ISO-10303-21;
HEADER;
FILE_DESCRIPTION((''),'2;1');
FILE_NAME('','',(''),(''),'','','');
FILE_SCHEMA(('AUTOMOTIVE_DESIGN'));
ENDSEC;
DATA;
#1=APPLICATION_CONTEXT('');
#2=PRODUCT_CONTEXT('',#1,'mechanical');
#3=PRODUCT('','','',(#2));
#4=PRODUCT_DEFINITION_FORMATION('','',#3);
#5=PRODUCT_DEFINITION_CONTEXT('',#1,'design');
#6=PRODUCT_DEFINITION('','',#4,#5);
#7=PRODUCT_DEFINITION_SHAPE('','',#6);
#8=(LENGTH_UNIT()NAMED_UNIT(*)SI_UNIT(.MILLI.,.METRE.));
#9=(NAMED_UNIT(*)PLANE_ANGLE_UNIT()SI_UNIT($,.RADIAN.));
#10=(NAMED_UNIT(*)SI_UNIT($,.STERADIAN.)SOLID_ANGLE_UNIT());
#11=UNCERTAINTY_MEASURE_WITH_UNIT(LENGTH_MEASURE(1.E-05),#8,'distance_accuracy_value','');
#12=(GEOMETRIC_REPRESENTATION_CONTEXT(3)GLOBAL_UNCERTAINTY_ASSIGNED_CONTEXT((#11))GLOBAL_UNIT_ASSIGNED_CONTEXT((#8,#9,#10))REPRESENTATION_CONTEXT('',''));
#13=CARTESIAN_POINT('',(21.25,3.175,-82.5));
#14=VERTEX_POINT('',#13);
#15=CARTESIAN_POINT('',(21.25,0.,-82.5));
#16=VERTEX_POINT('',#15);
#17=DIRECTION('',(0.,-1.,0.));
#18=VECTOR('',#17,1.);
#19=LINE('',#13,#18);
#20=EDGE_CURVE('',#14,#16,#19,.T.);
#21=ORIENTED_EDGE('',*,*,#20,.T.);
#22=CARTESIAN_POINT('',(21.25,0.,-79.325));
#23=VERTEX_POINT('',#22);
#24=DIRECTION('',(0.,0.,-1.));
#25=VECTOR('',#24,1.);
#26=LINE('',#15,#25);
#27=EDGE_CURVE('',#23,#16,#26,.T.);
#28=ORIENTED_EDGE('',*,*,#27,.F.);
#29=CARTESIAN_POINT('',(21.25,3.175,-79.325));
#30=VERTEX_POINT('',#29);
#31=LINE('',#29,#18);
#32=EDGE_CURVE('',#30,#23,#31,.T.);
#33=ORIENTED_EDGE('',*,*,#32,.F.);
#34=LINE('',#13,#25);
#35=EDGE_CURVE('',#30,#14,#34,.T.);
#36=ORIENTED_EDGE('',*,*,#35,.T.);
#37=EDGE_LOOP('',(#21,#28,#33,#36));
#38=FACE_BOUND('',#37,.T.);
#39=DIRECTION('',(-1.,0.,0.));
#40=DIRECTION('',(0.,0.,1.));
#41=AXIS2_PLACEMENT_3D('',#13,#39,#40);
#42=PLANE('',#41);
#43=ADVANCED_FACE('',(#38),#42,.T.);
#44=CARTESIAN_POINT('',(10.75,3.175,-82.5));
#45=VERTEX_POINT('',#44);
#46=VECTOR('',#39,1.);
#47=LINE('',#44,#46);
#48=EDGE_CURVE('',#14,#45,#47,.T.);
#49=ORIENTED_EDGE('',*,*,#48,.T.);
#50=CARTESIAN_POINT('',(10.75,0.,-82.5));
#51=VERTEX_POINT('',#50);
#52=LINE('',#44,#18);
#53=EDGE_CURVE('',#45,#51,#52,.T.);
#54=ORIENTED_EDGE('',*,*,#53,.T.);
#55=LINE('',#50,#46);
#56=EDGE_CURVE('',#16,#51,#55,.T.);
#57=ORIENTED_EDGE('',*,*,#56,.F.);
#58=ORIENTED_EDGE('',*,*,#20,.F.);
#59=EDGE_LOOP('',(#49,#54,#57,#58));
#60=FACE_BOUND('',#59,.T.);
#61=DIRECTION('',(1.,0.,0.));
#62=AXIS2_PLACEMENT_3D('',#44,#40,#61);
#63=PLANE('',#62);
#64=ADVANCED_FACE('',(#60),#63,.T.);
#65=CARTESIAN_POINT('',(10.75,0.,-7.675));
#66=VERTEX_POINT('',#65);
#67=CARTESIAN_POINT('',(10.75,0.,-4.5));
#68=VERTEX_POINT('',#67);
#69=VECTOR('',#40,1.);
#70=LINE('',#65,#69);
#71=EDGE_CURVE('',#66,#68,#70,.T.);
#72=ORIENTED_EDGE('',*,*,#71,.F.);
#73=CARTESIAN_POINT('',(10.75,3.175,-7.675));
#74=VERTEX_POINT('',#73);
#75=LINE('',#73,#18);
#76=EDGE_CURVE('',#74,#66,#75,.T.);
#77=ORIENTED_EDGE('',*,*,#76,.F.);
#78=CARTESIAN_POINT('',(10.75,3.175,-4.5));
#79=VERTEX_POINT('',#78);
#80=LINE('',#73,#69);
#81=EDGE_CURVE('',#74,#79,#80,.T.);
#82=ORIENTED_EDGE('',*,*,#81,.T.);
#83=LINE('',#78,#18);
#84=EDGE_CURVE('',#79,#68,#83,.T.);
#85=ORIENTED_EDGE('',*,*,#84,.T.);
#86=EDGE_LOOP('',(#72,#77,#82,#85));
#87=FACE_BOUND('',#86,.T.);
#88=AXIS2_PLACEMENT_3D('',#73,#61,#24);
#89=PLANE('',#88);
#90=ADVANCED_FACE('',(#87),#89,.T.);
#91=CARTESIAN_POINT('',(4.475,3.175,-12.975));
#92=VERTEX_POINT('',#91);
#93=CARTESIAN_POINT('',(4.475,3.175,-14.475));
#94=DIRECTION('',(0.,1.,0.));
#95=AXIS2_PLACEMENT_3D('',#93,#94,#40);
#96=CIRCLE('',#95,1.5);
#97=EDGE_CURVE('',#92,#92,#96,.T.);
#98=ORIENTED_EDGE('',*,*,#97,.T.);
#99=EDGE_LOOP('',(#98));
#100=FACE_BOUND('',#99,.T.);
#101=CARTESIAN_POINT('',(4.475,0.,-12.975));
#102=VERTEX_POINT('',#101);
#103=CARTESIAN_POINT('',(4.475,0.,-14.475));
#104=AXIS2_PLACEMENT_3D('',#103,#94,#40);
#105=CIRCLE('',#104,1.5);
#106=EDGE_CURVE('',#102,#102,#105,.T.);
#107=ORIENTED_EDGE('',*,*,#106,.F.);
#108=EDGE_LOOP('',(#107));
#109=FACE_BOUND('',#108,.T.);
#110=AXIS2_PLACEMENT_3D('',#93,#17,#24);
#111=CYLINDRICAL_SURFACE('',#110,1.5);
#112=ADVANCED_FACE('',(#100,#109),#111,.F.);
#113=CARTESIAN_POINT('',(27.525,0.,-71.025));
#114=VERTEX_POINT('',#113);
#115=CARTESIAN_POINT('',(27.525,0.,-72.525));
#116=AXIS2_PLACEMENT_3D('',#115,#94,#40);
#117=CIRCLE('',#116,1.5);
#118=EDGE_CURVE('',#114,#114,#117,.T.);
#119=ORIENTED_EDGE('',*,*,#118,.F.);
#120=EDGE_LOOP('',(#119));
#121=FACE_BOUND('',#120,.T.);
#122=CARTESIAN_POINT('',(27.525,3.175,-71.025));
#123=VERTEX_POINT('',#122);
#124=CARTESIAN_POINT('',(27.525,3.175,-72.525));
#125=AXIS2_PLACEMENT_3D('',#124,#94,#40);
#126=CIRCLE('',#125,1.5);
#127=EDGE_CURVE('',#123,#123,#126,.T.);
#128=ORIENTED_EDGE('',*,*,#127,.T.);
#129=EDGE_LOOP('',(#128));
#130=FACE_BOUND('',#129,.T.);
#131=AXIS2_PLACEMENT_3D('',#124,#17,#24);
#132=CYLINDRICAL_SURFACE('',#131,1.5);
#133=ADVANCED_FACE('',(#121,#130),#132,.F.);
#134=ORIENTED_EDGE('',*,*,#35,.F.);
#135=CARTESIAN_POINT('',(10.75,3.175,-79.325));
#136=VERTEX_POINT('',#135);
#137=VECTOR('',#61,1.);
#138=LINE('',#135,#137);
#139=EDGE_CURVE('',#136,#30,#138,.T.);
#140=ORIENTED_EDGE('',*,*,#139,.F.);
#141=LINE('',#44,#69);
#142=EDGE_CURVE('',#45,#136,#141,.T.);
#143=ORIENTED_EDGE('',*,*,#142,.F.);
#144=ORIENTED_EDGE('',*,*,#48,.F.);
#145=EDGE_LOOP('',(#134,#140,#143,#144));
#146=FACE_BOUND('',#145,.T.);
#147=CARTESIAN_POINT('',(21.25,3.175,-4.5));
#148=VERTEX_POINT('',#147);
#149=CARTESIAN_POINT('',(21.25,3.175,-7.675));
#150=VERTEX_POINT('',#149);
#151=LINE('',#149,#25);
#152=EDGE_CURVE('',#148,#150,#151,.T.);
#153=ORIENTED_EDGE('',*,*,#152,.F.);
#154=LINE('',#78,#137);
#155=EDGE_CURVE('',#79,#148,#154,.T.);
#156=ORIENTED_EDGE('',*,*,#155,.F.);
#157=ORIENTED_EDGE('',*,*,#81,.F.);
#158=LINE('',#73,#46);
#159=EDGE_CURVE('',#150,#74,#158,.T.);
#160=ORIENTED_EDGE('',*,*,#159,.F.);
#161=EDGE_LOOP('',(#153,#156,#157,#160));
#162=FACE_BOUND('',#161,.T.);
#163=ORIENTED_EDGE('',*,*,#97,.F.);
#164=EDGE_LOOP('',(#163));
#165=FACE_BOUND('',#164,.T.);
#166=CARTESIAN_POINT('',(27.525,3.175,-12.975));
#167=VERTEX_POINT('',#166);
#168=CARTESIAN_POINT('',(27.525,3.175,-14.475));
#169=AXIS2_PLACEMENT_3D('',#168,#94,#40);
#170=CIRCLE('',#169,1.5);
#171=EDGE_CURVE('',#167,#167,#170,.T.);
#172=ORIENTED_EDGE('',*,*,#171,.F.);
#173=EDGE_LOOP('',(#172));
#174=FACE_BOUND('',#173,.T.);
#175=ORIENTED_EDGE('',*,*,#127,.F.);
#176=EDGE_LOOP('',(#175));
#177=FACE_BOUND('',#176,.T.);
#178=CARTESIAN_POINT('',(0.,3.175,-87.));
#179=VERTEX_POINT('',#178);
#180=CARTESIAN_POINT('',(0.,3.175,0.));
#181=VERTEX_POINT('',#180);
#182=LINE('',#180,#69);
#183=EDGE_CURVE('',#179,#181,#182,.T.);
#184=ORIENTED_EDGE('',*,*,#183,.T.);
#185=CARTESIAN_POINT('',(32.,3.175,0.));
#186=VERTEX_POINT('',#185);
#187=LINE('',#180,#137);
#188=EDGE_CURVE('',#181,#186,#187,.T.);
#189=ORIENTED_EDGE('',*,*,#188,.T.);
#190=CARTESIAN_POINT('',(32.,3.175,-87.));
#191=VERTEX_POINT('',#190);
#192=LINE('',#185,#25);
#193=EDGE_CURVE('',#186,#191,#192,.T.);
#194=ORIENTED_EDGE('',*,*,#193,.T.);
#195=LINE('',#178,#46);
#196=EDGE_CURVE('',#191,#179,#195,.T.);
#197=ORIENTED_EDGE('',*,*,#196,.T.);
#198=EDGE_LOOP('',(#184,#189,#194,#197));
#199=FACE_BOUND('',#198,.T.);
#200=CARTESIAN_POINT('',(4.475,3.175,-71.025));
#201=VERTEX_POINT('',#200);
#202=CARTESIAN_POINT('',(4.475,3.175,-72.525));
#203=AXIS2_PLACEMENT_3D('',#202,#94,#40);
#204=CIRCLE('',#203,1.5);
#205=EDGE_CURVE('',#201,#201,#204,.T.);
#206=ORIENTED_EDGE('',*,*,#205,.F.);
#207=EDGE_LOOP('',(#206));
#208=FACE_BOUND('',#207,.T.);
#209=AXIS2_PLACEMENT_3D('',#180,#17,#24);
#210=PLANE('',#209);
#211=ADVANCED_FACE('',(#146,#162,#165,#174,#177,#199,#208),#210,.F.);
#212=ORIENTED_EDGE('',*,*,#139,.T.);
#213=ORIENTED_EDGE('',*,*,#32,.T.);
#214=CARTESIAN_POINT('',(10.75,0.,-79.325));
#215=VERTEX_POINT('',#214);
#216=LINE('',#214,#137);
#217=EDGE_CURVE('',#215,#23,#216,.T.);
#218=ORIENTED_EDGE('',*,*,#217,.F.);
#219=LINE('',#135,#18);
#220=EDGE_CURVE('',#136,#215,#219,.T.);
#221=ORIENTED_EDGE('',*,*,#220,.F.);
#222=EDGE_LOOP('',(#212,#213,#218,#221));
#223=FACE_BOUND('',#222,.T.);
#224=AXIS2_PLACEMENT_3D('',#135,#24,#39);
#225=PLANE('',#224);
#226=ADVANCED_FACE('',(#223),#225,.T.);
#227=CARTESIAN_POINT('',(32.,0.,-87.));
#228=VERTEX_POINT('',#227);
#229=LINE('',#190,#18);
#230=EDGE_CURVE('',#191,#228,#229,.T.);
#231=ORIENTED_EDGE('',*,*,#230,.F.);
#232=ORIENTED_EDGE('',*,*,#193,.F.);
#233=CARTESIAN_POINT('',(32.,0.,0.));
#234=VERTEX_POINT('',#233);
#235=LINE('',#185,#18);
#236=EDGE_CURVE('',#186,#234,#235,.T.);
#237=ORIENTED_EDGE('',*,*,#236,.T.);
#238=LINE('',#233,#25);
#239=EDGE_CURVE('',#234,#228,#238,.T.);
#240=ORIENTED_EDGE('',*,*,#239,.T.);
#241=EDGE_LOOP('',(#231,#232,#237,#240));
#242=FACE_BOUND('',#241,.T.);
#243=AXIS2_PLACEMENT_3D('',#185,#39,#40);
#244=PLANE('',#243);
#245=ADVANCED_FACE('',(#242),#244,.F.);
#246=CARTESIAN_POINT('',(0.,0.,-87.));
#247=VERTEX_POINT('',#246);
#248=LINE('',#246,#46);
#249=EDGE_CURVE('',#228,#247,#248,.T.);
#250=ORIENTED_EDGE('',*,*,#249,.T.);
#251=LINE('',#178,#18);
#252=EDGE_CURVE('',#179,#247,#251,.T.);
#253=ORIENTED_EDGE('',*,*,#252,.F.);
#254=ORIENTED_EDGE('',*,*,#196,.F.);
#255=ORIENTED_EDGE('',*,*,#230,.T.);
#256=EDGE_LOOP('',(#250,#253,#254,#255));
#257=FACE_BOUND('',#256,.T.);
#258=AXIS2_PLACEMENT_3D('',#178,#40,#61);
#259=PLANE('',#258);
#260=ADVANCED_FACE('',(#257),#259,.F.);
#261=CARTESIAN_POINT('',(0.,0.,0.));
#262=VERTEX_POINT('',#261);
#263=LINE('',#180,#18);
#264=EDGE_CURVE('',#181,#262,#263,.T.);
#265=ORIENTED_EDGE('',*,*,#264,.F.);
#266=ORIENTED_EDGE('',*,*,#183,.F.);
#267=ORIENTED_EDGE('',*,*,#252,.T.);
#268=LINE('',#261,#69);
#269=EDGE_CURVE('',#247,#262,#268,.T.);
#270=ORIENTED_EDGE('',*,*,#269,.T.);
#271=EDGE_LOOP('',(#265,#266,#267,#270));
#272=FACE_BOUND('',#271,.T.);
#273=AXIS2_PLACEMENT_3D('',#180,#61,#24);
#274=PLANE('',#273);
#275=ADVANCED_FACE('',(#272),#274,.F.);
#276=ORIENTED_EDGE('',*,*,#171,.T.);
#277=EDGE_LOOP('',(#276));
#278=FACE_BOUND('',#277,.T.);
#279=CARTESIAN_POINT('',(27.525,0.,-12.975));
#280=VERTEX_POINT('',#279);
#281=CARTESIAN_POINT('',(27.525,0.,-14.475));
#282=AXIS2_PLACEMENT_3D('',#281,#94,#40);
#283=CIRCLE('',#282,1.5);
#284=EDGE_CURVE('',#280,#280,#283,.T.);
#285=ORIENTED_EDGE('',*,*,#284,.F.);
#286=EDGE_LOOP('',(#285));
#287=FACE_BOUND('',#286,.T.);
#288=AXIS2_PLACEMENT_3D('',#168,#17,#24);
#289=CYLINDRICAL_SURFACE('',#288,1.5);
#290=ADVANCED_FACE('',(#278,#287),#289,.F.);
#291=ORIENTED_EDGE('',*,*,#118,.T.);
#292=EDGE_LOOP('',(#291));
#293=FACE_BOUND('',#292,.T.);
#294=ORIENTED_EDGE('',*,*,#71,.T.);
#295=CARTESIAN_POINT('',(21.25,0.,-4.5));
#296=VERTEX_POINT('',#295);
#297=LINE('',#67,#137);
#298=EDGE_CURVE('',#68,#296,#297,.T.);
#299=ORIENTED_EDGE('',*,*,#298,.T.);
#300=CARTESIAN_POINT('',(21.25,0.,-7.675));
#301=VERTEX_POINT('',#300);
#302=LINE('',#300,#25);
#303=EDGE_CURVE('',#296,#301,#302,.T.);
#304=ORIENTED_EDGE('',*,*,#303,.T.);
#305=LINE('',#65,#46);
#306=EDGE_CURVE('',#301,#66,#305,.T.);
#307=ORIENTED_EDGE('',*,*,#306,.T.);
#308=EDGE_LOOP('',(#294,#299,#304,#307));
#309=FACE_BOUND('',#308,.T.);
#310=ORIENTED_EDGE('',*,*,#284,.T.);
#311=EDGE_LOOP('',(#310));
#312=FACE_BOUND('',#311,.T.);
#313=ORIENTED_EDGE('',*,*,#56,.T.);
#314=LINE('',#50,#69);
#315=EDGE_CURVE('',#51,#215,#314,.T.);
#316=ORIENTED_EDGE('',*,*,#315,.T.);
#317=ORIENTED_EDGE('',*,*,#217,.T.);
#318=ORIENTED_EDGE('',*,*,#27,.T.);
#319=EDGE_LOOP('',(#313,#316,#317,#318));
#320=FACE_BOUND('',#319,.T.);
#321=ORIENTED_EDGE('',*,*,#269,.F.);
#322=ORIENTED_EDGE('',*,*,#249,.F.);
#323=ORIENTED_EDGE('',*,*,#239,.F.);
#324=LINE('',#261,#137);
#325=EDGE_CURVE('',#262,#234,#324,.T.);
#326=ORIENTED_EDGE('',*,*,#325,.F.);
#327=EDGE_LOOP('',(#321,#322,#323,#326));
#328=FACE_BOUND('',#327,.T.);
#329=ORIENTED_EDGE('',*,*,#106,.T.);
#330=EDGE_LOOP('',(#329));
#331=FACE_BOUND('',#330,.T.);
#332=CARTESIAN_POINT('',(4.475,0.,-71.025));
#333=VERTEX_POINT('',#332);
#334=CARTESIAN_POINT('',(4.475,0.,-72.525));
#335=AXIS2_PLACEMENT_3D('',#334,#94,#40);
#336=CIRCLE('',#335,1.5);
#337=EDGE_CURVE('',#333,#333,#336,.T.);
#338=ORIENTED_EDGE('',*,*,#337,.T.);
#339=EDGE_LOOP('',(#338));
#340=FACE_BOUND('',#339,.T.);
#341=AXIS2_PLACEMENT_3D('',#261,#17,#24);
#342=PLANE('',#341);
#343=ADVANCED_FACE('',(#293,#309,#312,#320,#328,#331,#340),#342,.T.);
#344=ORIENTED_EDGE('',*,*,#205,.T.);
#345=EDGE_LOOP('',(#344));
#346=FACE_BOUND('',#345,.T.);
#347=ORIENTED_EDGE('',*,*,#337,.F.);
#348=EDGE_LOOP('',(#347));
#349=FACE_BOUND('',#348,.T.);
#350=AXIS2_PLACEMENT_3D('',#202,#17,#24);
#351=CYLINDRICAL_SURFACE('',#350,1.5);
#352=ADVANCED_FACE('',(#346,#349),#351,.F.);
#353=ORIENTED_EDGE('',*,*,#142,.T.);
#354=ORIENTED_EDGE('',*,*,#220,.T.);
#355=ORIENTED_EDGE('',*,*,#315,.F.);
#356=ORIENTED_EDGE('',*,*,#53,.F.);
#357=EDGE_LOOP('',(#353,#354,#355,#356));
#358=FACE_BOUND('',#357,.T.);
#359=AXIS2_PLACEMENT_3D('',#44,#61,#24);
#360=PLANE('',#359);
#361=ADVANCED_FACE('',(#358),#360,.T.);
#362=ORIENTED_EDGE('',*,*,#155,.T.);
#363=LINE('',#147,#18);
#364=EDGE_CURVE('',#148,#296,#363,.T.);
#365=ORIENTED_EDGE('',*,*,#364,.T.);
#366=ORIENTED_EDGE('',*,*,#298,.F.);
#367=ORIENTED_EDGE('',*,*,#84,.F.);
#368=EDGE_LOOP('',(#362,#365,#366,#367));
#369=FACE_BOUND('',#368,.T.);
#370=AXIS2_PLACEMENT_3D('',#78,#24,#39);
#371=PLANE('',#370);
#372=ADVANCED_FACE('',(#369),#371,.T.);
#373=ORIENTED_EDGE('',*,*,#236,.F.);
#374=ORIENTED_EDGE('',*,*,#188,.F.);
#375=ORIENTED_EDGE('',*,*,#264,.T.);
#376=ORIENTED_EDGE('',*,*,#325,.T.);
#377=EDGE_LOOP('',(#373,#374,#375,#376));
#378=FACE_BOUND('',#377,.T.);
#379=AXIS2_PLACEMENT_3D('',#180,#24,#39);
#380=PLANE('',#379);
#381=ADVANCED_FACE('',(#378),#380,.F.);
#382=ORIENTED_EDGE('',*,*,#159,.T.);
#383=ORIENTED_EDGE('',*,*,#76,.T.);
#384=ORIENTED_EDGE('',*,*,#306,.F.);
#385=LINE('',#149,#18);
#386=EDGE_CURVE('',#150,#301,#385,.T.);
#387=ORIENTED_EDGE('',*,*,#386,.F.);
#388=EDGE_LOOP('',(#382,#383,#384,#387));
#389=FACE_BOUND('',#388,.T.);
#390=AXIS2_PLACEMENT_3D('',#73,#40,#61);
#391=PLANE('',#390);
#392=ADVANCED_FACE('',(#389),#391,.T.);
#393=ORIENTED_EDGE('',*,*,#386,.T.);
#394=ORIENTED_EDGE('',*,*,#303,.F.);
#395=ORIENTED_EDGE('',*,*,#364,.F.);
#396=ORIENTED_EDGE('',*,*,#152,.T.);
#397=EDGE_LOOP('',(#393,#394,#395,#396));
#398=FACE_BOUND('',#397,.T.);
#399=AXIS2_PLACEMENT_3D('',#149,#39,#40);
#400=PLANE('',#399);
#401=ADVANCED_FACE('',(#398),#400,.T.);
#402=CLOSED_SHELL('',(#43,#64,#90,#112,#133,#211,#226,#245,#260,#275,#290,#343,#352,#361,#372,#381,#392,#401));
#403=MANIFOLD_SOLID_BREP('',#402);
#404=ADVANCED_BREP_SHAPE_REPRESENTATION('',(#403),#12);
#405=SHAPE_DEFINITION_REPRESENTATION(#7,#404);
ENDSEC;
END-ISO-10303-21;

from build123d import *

# Parameters (mm, degrees)
SKETCH1_W           = 32
SKETCH1_H           = 87
SKETCH1_R           = 1.5
SKETCH1_W_2         = 10.5
SKETCH1_H_2         = 3.175
BOSS_EXTRUDE1_DEPTH = 3.175


with BuildPart() as part:
    # Sketch1 → Boss-Extrude1 (new body)
    with BuildSketch(Plane(origin=(0, 0, 0), x_dir=(1, 0, 0), z_dir=(0, 1, 0))):
        with Locations((16, 43.5)):
            Rectangle(SKETCH1_W, SKETCH1_H)
        with Locations((4.475, 72.525)):
            Circle(SKETCH1_R, mode=Mode.SUBTRACT)
        with Locations((27.525, 72.525)):
            Circle(SKETCH1_R, mode=Mode.SUBTRACT)
        with Locations((27.525, 14.475)):
            Circle(SKETCH1_R, mode=Mode.SUBTRACT)
        with Locations((4.475, 14.475)):
            Circle(SKETCH1_R, mode=Mode.SUBTRACT)
        with Locations((16, 6.0875)):
            Rectangle(SKETCH1_W_2, SKETCH1_H_2, mode=Mode.SUBTRACT)
        with Locations((16, 80.9125)):
            Rectangle(SKETCH1_W_2, SKETCH1_H_2, mode=Mode.SUBTRACT)
    extrude(amount=BOSS_EXTRUDE1_DEPTH)


solid = part.part
